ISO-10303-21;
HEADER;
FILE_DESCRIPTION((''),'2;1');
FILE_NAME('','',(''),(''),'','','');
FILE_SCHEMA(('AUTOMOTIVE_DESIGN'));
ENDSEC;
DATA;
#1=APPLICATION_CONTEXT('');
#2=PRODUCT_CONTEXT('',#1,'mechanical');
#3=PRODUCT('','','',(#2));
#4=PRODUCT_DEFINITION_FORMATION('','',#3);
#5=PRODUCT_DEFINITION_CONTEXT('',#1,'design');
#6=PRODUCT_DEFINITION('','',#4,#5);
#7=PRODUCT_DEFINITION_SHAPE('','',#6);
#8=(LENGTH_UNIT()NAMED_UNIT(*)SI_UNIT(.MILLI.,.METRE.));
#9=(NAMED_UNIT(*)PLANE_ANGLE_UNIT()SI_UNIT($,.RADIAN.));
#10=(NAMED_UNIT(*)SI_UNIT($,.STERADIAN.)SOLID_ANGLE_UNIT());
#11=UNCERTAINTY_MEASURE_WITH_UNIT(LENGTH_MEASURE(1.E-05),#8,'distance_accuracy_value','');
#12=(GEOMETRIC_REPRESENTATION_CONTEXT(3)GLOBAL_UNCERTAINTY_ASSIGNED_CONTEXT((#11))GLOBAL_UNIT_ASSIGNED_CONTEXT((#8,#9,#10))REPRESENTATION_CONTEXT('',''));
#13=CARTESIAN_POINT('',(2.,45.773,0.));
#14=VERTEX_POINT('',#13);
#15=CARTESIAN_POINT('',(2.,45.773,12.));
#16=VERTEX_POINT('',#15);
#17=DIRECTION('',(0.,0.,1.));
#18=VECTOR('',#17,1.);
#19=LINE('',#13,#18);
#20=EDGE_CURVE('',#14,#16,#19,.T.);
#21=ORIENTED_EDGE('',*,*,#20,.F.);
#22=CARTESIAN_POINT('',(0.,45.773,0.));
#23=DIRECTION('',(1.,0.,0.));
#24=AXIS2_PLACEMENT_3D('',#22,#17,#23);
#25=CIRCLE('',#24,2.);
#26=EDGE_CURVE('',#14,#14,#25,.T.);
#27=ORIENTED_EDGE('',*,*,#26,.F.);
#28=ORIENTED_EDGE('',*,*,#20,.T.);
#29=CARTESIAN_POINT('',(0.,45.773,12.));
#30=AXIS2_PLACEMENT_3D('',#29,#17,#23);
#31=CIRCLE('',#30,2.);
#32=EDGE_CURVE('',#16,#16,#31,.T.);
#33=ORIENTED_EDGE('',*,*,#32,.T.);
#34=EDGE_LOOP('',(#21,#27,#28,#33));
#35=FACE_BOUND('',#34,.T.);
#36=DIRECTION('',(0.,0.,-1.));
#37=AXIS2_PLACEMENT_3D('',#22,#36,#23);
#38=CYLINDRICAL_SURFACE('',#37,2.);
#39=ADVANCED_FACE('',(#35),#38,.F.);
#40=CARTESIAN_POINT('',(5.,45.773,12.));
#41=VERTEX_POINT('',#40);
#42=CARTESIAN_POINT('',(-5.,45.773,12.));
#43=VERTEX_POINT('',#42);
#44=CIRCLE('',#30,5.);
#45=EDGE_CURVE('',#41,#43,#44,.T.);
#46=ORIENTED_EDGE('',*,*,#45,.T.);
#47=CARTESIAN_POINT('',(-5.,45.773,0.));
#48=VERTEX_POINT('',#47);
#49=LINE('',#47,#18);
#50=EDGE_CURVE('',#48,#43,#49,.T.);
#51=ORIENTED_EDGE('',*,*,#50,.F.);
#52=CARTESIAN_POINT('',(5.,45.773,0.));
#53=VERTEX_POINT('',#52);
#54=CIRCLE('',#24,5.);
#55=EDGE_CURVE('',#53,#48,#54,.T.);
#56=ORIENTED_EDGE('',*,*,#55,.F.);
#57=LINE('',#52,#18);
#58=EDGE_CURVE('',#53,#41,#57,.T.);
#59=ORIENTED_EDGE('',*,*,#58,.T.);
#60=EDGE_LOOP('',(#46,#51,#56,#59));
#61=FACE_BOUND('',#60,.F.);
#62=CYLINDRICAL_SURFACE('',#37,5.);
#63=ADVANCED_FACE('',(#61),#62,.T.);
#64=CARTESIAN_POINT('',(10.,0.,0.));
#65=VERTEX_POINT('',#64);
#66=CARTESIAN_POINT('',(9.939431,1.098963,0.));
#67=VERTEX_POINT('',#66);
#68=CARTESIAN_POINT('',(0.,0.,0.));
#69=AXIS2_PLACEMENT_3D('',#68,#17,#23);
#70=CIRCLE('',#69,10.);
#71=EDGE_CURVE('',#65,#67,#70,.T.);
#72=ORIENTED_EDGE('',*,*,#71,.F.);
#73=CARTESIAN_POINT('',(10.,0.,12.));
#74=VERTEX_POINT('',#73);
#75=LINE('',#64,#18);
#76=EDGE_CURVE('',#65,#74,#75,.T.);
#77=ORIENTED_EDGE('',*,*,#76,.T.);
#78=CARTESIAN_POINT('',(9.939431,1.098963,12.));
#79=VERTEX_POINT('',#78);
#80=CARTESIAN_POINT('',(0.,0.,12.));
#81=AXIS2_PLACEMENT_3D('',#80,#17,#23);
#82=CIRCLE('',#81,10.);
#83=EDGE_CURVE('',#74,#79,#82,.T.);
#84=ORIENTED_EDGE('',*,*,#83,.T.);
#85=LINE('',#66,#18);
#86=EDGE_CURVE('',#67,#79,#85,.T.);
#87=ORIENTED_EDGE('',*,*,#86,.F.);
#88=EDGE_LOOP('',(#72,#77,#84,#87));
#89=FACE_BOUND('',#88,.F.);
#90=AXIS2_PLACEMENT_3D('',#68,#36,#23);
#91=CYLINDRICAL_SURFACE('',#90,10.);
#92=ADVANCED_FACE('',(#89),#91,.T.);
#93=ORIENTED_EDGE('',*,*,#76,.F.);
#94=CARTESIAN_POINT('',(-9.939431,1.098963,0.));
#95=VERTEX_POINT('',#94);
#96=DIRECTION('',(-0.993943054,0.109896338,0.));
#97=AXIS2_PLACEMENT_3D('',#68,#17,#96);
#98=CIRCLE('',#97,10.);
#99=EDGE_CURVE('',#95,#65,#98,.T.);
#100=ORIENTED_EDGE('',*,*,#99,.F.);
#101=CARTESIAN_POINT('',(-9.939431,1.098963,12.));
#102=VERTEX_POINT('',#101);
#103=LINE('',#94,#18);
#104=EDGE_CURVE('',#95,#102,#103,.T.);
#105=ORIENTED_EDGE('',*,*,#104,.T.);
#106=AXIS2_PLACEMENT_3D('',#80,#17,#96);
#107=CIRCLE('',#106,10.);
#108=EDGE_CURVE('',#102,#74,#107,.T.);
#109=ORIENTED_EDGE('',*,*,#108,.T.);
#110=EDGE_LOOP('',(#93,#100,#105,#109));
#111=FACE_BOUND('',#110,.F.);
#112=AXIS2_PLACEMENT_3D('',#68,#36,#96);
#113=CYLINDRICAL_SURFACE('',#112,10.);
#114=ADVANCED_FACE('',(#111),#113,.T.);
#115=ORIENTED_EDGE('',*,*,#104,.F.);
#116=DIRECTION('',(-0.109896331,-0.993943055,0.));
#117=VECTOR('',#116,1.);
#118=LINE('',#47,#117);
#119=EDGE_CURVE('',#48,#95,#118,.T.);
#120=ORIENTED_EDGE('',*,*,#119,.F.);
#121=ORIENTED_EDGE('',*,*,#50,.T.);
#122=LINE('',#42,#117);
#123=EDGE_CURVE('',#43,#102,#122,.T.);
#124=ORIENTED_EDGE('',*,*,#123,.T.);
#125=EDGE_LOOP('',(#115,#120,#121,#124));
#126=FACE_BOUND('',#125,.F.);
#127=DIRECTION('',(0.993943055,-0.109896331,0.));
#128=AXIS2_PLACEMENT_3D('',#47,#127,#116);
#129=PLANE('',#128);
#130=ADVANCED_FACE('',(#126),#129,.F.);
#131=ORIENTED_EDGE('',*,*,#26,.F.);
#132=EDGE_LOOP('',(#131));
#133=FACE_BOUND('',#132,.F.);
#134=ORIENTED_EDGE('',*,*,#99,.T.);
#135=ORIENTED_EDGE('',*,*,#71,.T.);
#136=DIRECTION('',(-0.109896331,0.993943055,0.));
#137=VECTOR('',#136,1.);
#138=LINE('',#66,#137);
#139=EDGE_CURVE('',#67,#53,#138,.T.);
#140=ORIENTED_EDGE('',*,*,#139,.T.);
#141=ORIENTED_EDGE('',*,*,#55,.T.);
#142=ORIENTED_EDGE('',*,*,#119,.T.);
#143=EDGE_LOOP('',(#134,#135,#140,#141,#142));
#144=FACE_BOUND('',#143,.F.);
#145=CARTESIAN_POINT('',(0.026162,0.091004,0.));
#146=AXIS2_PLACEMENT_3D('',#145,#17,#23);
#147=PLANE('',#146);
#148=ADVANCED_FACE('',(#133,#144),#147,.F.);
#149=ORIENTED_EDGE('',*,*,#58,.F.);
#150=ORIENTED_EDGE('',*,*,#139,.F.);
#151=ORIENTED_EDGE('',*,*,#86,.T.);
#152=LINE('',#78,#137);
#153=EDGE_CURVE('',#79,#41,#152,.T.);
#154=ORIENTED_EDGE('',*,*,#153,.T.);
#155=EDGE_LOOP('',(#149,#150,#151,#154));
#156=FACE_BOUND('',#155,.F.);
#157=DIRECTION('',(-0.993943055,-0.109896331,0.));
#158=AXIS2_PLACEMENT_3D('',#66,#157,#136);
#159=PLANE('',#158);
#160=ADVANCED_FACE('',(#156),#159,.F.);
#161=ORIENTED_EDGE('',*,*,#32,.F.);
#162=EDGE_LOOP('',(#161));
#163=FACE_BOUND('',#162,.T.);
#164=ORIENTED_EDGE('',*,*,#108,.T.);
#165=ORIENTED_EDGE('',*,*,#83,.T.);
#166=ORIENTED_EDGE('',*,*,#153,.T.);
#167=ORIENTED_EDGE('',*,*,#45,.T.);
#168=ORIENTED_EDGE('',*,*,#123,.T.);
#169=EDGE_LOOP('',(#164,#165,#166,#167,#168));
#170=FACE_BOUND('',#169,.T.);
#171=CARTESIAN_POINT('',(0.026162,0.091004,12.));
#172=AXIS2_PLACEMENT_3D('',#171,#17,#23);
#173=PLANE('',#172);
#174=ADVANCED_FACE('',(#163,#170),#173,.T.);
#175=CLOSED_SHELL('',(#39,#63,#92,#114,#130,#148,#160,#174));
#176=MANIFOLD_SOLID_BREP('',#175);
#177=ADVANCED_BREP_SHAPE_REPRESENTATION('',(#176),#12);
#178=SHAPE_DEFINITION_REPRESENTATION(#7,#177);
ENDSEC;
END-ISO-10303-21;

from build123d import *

# Parameters (mm, degrees)
F0_R     = 2
F1_DEPTH = 12


with BuildPart() as f1:
    # F0 (on Top) → F1 (new body)
    with BuildSketch(Plane.XY):
        with BuildLine():
            ThreePointArc((-9.939430542, 1.0989633757), (-0.5503156277, -9.9848461535), (10, 0))
            ThreePointArc((10, 0), (9.9848461508, 0.5503156774), (9.939430531, 1.0989634746))
            ThreePointArc((9.939430531, 1.0989634746), (-4.98e-08, 10), (-9.939430542, 1.0989633757))
        make_face()
        with BuildLine():
            ThreePointArc((-5, 45.7729995251), (0, 40.7729995251), (5, 45.7729995251))
            ThreePointArc((5, 45.7729995251), (0, 50.7729995251), (-5, 45.7729995251))
        make_face()
        with Locations((0, 45.7729995251)):
            Circle(F0_R, mode=Mode.SUBTRACT)
        with BuildLine():
            ThreePointArc((-9.939430542, 1.0989633757), (-4.98e-08, 10), (9.939430531, 1.0989634746))
            Line((9.939430531, 1.0989634746), (5, 45.7729995251))
            ThreePointArc((5, 45.7729995251), (0, 40.7729995251), (-5, 45.7729995251))
            Line((-5, 45.7729995251), (-9.939430542, 1.0989633757))
        make_face()
    extrude(amount=F1_DEPTH)


solid = f1.part
